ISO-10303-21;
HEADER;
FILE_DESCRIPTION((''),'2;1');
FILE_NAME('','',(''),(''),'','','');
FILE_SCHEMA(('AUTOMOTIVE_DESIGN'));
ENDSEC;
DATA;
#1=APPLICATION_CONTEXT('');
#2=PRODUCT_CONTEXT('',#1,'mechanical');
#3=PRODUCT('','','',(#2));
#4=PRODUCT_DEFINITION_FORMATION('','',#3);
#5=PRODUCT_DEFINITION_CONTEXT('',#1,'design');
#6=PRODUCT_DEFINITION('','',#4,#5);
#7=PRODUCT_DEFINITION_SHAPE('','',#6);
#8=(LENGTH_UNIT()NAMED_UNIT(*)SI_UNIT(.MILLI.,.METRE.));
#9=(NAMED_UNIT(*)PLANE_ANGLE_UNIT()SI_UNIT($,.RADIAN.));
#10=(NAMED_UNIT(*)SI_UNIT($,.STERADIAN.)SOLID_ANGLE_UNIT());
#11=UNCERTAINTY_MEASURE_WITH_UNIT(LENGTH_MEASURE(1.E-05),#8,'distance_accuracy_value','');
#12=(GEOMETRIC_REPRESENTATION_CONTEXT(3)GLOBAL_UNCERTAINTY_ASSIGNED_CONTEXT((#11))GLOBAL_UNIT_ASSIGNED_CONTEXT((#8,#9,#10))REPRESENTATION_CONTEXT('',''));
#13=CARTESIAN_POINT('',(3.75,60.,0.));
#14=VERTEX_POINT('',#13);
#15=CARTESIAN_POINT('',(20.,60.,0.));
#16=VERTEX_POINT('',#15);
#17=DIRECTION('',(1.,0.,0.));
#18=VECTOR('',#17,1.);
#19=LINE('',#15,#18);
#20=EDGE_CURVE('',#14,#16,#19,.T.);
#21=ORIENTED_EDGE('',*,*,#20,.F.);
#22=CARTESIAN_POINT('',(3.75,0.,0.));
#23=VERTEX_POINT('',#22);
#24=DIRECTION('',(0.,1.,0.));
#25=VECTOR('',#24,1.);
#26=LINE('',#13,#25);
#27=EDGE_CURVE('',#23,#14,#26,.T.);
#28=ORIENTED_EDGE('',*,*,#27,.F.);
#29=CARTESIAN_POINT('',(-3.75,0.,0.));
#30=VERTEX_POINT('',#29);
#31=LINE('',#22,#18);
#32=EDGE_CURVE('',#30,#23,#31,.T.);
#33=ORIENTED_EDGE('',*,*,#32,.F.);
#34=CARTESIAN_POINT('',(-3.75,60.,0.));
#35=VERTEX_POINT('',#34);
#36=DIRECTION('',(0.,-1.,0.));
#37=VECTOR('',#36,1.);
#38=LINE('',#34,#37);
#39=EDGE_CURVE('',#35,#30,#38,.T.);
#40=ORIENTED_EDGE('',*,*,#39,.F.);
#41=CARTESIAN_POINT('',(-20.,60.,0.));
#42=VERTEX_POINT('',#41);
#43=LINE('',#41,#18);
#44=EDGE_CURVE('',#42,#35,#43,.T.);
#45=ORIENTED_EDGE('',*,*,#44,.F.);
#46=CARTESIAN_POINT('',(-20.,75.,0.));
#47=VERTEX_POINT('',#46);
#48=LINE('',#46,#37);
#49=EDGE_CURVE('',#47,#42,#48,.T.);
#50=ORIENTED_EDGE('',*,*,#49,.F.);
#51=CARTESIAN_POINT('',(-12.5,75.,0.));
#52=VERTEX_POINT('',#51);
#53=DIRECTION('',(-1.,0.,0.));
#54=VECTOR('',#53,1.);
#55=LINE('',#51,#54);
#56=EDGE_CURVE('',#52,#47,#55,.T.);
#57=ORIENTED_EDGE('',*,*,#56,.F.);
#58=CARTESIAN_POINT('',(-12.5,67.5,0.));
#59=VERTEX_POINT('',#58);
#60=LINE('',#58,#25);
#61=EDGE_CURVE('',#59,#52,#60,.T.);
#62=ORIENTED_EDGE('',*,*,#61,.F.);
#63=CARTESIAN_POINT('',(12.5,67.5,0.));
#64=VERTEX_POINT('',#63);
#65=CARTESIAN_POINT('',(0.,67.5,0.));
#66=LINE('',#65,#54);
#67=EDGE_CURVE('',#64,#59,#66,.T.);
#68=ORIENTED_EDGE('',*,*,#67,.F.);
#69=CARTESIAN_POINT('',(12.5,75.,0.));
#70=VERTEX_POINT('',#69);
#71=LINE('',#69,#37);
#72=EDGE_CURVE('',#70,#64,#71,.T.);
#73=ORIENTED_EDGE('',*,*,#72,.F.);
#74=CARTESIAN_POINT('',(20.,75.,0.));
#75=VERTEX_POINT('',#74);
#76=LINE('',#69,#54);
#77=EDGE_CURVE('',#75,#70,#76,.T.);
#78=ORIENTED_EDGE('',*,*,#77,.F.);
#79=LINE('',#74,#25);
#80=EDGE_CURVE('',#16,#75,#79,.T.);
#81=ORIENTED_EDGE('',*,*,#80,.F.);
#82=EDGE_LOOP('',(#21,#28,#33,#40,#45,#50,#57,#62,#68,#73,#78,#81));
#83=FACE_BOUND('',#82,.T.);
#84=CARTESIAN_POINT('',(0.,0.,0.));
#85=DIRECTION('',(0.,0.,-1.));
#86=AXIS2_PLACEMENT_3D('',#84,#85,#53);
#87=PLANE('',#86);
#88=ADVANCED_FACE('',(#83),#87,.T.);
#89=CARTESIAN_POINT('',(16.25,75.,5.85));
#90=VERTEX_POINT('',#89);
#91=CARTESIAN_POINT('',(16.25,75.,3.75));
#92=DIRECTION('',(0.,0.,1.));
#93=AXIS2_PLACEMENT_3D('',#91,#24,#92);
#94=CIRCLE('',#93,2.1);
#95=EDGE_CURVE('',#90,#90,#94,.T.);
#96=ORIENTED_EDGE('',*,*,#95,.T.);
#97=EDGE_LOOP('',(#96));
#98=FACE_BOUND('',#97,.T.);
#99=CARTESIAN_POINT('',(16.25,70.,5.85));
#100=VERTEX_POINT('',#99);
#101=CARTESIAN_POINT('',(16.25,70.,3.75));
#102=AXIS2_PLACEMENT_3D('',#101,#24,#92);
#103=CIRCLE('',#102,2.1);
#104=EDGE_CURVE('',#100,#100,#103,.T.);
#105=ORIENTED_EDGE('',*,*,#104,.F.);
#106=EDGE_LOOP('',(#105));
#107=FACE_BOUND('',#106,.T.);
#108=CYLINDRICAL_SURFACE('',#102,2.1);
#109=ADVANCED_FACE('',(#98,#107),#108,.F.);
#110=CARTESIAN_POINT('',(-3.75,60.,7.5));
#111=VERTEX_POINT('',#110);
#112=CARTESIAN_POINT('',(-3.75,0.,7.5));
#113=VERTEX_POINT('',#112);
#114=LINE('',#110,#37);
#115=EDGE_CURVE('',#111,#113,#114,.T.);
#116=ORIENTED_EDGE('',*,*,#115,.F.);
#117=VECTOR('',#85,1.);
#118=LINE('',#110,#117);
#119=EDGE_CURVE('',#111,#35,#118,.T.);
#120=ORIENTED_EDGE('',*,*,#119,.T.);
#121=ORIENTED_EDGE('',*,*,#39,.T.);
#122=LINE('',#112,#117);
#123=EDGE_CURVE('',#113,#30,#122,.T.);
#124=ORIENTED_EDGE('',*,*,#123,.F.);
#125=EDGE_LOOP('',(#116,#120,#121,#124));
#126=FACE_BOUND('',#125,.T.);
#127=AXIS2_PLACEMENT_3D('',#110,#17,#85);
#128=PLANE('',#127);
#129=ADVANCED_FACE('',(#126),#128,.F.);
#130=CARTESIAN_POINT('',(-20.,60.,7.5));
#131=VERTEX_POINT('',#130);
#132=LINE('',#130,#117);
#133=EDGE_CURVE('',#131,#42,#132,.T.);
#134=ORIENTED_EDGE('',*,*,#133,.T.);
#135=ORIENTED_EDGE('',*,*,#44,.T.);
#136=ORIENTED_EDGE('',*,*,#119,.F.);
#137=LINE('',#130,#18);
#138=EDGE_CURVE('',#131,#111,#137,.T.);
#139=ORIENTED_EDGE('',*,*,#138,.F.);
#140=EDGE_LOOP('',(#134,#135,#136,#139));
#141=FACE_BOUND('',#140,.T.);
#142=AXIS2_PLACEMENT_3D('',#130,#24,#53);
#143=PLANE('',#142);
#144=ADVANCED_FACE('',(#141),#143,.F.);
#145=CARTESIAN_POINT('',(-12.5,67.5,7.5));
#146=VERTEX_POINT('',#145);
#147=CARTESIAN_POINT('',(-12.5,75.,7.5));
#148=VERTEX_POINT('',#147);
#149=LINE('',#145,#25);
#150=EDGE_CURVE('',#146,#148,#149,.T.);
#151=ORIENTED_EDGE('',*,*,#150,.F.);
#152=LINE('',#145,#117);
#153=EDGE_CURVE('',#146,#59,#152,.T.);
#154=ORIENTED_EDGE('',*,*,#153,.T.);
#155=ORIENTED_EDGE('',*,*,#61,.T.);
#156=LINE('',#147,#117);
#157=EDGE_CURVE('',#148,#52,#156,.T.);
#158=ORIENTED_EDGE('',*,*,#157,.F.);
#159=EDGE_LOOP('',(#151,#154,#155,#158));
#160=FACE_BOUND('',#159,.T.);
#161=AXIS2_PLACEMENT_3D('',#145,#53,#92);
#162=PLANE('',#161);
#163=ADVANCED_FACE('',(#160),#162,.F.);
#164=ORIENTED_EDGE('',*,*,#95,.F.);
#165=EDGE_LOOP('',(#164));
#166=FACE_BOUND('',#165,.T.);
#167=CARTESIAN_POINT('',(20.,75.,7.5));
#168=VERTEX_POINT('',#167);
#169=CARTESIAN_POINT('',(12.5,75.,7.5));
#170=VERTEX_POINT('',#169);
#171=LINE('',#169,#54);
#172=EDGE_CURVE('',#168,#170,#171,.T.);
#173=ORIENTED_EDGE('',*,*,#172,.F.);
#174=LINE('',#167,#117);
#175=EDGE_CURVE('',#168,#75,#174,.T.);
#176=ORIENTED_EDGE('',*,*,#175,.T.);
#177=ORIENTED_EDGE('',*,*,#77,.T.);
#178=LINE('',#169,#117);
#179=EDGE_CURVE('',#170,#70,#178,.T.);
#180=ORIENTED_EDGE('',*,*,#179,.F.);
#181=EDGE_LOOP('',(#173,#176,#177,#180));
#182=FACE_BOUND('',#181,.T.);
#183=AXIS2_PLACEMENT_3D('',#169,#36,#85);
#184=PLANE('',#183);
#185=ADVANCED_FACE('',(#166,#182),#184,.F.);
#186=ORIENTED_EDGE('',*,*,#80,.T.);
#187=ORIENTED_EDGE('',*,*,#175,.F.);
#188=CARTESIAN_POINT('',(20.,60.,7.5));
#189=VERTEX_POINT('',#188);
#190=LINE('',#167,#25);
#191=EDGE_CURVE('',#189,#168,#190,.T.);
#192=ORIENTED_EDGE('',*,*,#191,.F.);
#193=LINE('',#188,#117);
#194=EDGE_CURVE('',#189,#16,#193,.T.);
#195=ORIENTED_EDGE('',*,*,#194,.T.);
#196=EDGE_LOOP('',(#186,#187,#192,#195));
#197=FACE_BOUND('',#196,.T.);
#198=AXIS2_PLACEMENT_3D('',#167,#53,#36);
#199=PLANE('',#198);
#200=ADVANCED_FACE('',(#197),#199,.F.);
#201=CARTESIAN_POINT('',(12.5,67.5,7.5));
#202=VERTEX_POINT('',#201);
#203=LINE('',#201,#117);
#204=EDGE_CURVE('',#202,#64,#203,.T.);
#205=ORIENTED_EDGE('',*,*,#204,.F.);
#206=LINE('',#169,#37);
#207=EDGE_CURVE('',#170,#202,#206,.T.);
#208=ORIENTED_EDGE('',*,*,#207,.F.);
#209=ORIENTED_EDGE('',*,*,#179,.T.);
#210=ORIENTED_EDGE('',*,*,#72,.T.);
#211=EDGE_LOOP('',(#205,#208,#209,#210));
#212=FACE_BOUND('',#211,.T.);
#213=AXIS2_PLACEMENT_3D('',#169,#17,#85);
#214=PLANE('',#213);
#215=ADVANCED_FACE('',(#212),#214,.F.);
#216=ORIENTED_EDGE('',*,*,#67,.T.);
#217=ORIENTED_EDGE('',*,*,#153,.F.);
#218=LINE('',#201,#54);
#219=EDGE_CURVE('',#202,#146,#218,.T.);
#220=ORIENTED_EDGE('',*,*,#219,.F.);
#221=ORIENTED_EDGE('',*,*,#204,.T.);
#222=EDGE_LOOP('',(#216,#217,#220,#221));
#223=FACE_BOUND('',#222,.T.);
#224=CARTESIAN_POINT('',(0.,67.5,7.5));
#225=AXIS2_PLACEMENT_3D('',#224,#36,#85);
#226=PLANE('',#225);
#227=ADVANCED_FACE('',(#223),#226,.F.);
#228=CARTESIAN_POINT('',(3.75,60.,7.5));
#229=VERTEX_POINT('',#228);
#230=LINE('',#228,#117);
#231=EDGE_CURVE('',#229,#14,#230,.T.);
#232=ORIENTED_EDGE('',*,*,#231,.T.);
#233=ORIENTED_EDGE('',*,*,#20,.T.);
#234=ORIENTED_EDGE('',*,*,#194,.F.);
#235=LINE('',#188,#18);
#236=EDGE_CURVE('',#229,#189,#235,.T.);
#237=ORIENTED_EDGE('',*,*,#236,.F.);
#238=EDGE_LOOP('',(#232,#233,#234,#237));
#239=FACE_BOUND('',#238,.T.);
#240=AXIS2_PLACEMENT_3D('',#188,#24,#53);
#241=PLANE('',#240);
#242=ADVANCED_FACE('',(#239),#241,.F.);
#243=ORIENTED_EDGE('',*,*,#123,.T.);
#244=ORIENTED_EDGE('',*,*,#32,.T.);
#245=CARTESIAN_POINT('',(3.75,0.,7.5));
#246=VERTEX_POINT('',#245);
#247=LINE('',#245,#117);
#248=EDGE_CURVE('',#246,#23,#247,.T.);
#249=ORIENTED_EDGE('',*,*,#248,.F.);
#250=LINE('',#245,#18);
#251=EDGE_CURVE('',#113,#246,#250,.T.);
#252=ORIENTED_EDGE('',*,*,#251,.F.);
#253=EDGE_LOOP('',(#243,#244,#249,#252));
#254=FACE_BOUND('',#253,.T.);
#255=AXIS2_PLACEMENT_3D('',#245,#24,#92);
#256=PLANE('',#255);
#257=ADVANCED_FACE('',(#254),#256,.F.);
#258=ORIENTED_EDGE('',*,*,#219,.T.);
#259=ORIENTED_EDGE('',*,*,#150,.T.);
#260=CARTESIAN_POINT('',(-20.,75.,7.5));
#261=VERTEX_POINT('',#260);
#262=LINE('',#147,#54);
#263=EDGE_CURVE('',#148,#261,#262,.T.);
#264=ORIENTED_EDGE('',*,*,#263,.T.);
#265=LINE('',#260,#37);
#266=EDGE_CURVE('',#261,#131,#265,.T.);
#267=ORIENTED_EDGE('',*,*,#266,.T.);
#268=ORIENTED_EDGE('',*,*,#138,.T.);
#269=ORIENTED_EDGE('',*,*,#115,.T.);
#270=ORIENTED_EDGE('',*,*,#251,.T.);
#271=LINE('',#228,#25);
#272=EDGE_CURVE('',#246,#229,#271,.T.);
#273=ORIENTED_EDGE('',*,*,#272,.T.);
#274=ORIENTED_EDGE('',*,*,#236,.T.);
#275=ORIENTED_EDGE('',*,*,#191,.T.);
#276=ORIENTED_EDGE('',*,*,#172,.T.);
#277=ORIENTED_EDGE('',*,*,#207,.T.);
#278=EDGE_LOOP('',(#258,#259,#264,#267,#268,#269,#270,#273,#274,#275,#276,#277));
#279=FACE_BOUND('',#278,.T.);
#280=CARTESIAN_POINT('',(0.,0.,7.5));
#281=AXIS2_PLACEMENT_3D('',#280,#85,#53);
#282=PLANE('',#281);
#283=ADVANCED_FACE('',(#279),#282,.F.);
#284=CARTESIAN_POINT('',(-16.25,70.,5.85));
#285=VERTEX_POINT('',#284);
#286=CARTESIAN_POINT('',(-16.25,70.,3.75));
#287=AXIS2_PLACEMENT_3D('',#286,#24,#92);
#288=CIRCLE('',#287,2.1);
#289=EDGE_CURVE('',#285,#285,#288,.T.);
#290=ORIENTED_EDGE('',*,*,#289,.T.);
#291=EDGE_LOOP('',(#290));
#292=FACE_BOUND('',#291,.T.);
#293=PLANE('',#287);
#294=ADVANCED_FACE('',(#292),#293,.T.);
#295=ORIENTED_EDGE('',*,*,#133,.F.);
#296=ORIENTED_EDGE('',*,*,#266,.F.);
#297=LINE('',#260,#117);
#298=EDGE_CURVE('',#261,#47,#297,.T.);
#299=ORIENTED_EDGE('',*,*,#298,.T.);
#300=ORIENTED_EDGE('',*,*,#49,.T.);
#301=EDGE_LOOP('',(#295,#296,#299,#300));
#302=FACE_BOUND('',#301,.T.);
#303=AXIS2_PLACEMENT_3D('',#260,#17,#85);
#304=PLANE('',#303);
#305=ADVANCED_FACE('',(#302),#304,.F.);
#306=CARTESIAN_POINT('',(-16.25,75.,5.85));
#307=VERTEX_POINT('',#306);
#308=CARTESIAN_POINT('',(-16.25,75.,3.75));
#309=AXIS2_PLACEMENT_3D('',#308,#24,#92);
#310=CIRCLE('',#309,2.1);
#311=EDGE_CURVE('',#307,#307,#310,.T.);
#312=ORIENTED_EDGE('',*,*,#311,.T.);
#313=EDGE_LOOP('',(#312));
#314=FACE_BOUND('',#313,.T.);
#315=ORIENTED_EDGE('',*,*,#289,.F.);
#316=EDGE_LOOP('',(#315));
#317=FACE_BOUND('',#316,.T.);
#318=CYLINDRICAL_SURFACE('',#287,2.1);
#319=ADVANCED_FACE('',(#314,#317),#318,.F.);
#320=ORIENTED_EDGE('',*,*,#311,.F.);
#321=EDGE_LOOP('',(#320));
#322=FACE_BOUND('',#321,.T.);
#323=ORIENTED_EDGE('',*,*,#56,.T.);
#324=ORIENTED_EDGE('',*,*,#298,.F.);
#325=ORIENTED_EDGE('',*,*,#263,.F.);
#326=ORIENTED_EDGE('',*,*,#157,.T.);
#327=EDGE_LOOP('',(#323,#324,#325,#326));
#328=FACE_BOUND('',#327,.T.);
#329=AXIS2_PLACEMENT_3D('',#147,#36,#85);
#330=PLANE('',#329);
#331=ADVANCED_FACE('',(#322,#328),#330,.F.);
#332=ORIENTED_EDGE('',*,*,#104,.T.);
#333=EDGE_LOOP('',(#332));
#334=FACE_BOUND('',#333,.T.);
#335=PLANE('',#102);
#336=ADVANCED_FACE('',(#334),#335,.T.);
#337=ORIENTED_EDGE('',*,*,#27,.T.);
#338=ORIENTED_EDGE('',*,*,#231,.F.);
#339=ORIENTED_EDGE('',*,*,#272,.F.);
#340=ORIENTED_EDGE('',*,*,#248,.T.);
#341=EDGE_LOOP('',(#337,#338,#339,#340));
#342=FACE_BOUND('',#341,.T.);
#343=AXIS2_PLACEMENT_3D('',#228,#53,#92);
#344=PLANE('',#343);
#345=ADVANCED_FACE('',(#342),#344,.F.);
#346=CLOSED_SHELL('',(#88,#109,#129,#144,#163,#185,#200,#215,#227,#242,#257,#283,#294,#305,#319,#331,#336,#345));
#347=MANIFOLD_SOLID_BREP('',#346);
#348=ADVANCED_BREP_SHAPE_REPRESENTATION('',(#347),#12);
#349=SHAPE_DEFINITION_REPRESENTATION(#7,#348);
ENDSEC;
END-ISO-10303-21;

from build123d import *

# Parameters (mm, degrees)
BOSS_EXTRUDE1_DEPTH = 7.5
SKETCH3_R           = 2.1
CUT_EXTRUDE1_DEPTH  = 5


with BuildPart() as part:
    # Sketch1 → Boss-Extrude1 (new body)
    with BuildSketch(Plane.XY):
        Polygon((12.5, 75), (20, 75), (20, 60), (3.75, 60), (3.75, 0), (-3.75, 0), (-3.75, 60), (-20, 60), (-20, 75), (-12.5, 75), (-12.5, 67.5), (0, 67.5), (12.5, 67.5), align=None)
    extrude(amount=BOSS_EXTRUDE1_DEPTH)

    # Sketch3 → Cut-Extrude1 (cut)
    with BuildSketch(Plane(origin=(0, 75, 0), x_dir=(1, 0, 0), z_dir=(0, 1, 0))):
        with Locations(Location((-16.25, -3.75, 0), (0, 0, 270))):
            Circle(SKETCH3_R)
        with Locations(Location((16.25, -3.75, 0), (0, 0, 270))):
            Circle(SKETCH3_R)
    extrude(amount=-CUT_EXTRUDE1_DEPTH, mode=Mode.SUBTRACT)


solid = part.part
